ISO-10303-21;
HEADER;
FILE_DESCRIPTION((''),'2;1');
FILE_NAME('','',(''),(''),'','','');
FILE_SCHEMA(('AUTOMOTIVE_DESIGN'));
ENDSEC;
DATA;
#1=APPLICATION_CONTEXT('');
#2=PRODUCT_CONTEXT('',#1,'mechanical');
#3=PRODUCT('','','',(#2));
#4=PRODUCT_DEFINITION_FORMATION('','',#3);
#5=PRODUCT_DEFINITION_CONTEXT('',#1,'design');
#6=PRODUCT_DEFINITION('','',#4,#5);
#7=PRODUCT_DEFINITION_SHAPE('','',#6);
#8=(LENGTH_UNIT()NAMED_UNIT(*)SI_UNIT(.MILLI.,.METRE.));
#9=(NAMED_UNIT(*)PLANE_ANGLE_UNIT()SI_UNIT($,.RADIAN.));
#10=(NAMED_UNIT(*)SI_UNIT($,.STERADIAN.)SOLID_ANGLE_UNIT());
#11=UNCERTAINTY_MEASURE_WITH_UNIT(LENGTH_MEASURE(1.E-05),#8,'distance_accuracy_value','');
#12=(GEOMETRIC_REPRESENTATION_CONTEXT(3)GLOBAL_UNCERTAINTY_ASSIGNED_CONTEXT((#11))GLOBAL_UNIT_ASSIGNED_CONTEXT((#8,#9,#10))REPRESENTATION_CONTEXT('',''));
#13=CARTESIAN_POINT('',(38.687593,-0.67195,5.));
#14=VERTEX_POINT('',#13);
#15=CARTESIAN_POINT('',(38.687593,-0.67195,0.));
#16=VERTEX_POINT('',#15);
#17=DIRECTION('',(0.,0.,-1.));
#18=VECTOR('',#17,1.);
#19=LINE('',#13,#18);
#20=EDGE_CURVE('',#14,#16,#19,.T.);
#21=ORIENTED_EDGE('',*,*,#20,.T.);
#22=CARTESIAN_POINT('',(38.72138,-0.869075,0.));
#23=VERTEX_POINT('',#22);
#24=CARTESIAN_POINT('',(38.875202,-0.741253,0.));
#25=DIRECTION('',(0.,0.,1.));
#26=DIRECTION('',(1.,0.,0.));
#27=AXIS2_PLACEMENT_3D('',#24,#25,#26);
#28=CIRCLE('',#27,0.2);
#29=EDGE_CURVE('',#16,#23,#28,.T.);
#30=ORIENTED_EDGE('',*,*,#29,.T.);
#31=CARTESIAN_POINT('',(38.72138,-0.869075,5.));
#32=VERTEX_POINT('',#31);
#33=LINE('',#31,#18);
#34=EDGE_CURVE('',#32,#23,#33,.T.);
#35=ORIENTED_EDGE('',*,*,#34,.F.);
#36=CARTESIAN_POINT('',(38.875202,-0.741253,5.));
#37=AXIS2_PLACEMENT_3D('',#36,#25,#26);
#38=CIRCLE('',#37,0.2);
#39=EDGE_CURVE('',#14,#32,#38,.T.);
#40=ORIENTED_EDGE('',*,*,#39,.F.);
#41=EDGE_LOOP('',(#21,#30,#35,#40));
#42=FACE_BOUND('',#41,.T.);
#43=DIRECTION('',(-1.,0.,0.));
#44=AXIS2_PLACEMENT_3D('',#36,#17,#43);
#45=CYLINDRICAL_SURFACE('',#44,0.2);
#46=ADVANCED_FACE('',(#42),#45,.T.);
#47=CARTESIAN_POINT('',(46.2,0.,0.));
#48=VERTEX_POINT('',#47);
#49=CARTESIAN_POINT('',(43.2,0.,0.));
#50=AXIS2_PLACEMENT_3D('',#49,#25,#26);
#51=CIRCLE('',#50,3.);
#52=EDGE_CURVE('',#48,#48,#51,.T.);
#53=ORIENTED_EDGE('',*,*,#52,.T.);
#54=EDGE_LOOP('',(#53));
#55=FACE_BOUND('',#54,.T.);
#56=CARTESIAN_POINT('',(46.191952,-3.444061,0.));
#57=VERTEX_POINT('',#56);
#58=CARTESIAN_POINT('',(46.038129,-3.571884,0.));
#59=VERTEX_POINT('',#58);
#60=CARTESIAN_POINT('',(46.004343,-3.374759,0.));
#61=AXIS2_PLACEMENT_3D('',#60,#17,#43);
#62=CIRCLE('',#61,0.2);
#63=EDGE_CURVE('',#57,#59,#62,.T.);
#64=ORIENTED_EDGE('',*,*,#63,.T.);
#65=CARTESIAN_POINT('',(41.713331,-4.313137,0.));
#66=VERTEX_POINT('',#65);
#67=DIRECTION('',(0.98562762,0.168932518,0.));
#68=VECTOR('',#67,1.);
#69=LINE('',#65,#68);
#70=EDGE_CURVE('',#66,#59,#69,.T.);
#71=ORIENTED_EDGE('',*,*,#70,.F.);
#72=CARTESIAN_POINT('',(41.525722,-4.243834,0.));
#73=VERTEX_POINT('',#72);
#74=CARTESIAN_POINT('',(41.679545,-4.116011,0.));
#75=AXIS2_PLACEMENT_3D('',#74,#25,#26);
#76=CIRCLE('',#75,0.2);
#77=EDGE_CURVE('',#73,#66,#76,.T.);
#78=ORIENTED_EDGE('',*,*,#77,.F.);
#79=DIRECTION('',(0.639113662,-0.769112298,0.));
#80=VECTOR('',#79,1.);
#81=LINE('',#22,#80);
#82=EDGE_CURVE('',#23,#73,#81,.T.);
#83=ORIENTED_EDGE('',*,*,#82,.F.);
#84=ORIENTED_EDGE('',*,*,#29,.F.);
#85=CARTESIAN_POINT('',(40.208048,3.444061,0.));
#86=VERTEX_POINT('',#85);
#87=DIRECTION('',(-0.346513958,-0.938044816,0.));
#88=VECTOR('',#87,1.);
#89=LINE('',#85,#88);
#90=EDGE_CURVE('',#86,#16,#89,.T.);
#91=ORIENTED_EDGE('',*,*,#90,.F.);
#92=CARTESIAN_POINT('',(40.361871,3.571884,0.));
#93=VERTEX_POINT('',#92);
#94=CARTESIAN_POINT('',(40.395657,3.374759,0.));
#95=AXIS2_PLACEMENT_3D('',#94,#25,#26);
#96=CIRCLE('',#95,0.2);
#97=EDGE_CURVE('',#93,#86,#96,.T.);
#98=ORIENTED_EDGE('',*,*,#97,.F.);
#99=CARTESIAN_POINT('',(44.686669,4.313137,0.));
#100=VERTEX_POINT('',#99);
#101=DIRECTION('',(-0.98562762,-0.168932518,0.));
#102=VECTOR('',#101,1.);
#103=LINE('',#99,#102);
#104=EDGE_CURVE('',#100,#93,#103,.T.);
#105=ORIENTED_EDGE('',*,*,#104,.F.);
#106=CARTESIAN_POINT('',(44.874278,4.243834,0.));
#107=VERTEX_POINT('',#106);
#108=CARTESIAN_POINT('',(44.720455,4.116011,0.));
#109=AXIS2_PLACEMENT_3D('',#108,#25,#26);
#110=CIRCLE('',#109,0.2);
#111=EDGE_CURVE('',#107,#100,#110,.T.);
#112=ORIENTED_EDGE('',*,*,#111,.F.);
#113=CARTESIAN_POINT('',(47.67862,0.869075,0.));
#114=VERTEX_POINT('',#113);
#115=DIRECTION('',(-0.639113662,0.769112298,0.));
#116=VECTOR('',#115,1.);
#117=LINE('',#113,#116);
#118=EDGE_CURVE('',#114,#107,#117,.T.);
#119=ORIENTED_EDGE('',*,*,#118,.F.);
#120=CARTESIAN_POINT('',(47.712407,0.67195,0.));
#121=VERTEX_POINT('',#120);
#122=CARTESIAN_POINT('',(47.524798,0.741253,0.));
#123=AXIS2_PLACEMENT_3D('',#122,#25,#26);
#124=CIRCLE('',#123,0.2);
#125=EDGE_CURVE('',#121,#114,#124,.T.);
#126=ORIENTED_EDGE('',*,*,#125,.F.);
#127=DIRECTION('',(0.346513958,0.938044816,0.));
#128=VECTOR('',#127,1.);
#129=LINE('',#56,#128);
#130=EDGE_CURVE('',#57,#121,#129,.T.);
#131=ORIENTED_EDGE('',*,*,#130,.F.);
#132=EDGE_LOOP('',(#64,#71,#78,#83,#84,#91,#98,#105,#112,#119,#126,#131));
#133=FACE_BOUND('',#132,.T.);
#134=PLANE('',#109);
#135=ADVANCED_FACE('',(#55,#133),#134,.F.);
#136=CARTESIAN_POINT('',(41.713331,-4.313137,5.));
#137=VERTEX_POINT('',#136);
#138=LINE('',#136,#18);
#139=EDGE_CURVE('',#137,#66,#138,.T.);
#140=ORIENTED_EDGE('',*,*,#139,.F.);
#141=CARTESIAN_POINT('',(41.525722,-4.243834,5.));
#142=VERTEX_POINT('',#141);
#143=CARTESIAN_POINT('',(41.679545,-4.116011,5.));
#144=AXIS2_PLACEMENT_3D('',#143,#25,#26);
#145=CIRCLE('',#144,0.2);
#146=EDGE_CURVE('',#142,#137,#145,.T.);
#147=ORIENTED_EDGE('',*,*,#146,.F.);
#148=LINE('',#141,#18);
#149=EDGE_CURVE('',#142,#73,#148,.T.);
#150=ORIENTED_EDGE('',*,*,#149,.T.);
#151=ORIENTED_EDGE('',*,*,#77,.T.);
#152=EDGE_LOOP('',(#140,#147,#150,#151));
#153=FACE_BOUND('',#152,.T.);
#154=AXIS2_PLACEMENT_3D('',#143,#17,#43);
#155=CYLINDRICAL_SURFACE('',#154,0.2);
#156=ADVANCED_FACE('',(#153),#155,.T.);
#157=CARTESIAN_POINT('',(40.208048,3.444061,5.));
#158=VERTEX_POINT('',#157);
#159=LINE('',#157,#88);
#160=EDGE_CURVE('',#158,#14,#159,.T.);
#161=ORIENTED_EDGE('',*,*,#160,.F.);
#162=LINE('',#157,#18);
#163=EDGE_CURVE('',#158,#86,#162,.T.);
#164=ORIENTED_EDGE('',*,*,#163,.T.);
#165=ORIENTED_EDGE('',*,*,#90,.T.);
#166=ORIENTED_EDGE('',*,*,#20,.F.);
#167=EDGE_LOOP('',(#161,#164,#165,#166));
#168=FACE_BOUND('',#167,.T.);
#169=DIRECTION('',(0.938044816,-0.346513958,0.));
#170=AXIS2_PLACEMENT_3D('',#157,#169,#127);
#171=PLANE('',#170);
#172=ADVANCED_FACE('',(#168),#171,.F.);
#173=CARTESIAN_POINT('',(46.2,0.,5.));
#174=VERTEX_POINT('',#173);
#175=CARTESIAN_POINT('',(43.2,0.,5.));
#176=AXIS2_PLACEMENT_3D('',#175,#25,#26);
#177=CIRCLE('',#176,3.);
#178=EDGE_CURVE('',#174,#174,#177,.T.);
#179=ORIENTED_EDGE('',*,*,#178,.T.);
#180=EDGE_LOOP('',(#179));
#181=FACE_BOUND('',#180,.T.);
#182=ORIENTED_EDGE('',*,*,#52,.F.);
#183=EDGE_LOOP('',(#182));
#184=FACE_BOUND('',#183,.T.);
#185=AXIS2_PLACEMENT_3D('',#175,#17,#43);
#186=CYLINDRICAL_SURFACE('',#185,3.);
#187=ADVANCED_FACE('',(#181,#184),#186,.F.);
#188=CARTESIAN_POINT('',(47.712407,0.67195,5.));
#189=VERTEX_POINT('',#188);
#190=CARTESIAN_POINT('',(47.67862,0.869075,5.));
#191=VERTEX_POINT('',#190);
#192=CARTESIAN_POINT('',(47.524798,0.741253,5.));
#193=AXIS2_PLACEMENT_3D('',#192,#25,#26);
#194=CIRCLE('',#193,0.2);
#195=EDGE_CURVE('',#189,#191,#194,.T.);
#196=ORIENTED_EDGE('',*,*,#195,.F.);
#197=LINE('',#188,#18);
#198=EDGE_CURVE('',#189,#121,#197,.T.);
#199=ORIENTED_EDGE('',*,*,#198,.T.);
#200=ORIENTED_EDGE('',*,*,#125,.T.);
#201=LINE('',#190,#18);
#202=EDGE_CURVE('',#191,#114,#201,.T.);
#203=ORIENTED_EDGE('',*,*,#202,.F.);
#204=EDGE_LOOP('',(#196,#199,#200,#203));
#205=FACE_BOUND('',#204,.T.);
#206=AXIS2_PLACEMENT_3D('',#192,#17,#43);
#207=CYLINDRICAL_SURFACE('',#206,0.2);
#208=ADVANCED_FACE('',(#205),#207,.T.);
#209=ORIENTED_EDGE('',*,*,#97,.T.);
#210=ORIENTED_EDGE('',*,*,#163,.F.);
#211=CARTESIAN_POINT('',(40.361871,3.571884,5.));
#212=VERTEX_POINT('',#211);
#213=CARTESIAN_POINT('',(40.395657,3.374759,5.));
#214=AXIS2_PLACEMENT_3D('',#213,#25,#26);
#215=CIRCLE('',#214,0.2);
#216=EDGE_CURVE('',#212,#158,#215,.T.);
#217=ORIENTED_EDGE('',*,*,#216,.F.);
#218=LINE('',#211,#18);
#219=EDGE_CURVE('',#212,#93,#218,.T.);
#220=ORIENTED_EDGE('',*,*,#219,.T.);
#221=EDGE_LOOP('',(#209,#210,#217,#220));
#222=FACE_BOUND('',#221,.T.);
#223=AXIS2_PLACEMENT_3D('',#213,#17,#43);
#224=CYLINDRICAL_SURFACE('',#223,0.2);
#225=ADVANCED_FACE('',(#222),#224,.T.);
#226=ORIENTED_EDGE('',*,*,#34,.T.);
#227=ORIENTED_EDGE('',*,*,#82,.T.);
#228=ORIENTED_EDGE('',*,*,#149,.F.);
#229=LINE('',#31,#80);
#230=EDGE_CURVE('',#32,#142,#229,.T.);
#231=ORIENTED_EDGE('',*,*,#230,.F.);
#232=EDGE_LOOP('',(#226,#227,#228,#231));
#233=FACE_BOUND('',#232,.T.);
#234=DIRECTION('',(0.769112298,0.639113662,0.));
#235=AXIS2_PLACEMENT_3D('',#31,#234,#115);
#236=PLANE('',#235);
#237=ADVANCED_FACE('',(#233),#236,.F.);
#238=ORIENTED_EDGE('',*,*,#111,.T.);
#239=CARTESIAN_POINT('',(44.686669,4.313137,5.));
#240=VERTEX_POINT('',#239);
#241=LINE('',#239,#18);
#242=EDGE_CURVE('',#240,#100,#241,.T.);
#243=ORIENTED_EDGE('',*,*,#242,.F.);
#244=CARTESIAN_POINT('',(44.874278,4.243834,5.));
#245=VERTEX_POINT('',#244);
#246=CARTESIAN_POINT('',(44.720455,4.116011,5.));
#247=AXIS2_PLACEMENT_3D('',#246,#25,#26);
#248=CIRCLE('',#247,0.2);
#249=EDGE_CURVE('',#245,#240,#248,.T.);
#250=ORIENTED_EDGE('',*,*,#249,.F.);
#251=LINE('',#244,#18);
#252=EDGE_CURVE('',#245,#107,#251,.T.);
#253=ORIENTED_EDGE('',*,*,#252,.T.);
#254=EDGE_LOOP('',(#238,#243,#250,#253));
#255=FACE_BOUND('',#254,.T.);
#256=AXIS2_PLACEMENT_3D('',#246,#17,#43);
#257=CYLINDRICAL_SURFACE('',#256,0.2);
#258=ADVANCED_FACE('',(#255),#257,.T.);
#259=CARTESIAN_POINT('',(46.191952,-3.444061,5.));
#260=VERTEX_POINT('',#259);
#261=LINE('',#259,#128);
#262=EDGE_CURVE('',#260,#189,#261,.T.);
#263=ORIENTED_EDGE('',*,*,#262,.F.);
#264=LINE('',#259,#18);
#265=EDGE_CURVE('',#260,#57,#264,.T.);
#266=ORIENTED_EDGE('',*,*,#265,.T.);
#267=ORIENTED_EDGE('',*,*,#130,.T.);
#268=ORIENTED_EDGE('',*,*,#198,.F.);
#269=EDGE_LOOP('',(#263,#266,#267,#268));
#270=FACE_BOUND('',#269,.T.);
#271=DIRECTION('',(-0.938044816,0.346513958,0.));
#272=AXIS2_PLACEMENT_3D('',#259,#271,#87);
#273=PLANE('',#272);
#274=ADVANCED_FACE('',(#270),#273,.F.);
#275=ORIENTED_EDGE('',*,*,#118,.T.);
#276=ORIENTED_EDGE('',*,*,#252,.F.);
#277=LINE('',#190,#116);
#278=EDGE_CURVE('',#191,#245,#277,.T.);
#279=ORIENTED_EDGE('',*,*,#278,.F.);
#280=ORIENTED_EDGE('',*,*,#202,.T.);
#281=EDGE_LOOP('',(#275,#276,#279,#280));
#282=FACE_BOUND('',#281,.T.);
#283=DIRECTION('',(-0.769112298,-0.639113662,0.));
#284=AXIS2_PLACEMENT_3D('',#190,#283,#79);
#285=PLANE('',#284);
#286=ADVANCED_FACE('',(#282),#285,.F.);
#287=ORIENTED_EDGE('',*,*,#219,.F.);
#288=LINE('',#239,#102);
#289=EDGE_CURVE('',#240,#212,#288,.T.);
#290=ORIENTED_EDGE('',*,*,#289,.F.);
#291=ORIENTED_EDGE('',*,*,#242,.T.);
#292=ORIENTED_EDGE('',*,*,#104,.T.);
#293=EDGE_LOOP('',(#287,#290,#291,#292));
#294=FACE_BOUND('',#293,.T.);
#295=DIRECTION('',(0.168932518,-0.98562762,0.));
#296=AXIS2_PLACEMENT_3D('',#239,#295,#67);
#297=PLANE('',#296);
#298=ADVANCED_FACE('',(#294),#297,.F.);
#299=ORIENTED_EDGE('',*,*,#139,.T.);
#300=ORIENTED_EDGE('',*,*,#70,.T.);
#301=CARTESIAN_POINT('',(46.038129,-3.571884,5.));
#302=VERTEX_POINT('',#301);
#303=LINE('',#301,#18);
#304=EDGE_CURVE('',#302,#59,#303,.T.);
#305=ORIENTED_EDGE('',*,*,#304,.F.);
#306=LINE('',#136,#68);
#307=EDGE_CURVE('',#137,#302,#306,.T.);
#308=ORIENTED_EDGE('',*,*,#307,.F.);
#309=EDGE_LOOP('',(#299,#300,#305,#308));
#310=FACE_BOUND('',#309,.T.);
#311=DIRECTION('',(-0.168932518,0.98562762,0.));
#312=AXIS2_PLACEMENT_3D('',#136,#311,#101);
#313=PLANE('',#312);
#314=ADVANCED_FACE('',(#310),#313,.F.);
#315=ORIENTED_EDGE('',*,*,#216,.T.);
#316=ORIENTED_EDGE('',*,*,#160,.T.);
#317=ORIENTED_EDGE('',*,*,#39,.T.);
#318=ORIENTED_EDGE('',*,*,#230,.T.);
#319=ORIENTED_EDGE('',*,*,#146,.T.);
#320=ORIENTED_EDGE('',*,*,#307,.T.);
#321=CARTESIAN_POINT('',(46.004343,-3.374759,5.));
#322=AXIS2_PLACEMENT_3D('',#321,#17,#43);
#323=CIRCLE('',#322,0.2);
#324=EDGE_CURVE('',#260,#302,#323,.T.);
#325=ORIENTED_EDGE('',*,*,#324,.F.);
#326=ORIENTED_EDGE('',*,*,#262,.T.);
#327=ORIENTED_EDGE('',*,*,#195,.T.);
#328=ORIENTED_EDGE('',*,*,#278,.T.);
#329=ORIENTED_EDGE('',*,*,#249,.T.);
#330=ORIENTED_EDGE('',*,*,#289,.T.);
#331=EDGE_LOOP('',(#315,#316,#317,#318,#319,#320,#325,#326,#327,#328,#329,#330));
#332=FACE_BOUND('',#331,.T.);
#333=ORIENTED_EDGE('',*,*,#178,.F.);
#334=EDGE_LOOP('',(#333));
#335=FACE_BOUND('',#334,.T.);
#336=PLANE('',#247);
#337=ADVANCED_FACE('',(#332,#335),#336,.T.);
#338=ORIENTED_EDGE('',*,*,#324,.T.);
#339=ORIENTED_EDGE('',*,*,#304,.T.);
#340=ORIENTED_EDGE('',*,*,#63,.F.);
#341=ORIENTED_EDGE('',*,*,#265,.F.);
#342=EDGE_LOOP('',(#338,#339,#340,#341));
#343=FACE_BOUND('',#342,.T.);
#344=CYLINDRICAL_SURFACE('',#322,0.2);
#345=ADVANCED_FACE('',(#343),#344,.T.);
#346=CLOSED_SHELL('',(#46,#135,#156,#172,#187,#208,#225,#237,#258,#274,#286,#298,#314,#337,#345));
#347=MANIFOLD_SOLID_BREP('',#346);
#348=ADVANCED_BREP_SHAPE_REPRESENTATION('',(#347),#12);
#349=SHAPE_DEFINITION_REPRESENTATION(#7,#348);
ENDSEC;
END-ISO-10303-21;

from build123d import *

# Parameters (mm, degrees)
SKETCH1_R           = 3
BOSS_EXTRUDE1_DEPTH = 5


with BuildPart() as part:
    # Sketch1 → Boss-Extrude1 (new body)
    with BuildSketch(Plane.XY):
        with BuildLine():
            Line((46.191951543, -3.444061454), (47.712406986, 0.671949792))
            ThreePointArc((47.712406986, 0.671949792), (47.721923547, 0.775039087), (47.678620483, 0.869075316))
            Line((47.678620483, 0.869075316), (44.874277903, 4.243833978))
            ThreePointArc((44.874277903, 4.243833978), (44.789758235, 4.303620209), (44.68666894, 4.31313677))
            Line((44.68666894, 4.31313677), (40.361870917, 3.571884186))
            ThreePointArc((40.361870917, 3.571884186), (40.267834688, 3.528581122), (40.208048457, 3.444061454))
            Line((40.208048457, 3.444061454), (38.687593014, -0.671949792))
            ThreePointArc((38.687593014, -0.671949792), (38.678076453, -0.775039087), (38.721379517, -0.869075316))
            Line((38.721379517, -0.869075316), (41.525722097, -4.243833978))
            ThreePointArc((41.525722097, -4.243833978), (41.610241765, -4.303620209), (41.71333106, -4.31313677))
            Line((41.71333106, -4.31313677), (46.038129083, -3.571884186))
            ThreePointArc((46.038129083, -3.571884186), (46.132165312, -3.528581122), (46.191951543, -3.444061454))
        make_face()
        with Locations((43.2, 0)):
            Circle(SKETCH1_R, mode=Mode.SUBTRACT)
    extrude(amount=BOSS_EXTRUDE1_DEPTH)


solid = part.part
